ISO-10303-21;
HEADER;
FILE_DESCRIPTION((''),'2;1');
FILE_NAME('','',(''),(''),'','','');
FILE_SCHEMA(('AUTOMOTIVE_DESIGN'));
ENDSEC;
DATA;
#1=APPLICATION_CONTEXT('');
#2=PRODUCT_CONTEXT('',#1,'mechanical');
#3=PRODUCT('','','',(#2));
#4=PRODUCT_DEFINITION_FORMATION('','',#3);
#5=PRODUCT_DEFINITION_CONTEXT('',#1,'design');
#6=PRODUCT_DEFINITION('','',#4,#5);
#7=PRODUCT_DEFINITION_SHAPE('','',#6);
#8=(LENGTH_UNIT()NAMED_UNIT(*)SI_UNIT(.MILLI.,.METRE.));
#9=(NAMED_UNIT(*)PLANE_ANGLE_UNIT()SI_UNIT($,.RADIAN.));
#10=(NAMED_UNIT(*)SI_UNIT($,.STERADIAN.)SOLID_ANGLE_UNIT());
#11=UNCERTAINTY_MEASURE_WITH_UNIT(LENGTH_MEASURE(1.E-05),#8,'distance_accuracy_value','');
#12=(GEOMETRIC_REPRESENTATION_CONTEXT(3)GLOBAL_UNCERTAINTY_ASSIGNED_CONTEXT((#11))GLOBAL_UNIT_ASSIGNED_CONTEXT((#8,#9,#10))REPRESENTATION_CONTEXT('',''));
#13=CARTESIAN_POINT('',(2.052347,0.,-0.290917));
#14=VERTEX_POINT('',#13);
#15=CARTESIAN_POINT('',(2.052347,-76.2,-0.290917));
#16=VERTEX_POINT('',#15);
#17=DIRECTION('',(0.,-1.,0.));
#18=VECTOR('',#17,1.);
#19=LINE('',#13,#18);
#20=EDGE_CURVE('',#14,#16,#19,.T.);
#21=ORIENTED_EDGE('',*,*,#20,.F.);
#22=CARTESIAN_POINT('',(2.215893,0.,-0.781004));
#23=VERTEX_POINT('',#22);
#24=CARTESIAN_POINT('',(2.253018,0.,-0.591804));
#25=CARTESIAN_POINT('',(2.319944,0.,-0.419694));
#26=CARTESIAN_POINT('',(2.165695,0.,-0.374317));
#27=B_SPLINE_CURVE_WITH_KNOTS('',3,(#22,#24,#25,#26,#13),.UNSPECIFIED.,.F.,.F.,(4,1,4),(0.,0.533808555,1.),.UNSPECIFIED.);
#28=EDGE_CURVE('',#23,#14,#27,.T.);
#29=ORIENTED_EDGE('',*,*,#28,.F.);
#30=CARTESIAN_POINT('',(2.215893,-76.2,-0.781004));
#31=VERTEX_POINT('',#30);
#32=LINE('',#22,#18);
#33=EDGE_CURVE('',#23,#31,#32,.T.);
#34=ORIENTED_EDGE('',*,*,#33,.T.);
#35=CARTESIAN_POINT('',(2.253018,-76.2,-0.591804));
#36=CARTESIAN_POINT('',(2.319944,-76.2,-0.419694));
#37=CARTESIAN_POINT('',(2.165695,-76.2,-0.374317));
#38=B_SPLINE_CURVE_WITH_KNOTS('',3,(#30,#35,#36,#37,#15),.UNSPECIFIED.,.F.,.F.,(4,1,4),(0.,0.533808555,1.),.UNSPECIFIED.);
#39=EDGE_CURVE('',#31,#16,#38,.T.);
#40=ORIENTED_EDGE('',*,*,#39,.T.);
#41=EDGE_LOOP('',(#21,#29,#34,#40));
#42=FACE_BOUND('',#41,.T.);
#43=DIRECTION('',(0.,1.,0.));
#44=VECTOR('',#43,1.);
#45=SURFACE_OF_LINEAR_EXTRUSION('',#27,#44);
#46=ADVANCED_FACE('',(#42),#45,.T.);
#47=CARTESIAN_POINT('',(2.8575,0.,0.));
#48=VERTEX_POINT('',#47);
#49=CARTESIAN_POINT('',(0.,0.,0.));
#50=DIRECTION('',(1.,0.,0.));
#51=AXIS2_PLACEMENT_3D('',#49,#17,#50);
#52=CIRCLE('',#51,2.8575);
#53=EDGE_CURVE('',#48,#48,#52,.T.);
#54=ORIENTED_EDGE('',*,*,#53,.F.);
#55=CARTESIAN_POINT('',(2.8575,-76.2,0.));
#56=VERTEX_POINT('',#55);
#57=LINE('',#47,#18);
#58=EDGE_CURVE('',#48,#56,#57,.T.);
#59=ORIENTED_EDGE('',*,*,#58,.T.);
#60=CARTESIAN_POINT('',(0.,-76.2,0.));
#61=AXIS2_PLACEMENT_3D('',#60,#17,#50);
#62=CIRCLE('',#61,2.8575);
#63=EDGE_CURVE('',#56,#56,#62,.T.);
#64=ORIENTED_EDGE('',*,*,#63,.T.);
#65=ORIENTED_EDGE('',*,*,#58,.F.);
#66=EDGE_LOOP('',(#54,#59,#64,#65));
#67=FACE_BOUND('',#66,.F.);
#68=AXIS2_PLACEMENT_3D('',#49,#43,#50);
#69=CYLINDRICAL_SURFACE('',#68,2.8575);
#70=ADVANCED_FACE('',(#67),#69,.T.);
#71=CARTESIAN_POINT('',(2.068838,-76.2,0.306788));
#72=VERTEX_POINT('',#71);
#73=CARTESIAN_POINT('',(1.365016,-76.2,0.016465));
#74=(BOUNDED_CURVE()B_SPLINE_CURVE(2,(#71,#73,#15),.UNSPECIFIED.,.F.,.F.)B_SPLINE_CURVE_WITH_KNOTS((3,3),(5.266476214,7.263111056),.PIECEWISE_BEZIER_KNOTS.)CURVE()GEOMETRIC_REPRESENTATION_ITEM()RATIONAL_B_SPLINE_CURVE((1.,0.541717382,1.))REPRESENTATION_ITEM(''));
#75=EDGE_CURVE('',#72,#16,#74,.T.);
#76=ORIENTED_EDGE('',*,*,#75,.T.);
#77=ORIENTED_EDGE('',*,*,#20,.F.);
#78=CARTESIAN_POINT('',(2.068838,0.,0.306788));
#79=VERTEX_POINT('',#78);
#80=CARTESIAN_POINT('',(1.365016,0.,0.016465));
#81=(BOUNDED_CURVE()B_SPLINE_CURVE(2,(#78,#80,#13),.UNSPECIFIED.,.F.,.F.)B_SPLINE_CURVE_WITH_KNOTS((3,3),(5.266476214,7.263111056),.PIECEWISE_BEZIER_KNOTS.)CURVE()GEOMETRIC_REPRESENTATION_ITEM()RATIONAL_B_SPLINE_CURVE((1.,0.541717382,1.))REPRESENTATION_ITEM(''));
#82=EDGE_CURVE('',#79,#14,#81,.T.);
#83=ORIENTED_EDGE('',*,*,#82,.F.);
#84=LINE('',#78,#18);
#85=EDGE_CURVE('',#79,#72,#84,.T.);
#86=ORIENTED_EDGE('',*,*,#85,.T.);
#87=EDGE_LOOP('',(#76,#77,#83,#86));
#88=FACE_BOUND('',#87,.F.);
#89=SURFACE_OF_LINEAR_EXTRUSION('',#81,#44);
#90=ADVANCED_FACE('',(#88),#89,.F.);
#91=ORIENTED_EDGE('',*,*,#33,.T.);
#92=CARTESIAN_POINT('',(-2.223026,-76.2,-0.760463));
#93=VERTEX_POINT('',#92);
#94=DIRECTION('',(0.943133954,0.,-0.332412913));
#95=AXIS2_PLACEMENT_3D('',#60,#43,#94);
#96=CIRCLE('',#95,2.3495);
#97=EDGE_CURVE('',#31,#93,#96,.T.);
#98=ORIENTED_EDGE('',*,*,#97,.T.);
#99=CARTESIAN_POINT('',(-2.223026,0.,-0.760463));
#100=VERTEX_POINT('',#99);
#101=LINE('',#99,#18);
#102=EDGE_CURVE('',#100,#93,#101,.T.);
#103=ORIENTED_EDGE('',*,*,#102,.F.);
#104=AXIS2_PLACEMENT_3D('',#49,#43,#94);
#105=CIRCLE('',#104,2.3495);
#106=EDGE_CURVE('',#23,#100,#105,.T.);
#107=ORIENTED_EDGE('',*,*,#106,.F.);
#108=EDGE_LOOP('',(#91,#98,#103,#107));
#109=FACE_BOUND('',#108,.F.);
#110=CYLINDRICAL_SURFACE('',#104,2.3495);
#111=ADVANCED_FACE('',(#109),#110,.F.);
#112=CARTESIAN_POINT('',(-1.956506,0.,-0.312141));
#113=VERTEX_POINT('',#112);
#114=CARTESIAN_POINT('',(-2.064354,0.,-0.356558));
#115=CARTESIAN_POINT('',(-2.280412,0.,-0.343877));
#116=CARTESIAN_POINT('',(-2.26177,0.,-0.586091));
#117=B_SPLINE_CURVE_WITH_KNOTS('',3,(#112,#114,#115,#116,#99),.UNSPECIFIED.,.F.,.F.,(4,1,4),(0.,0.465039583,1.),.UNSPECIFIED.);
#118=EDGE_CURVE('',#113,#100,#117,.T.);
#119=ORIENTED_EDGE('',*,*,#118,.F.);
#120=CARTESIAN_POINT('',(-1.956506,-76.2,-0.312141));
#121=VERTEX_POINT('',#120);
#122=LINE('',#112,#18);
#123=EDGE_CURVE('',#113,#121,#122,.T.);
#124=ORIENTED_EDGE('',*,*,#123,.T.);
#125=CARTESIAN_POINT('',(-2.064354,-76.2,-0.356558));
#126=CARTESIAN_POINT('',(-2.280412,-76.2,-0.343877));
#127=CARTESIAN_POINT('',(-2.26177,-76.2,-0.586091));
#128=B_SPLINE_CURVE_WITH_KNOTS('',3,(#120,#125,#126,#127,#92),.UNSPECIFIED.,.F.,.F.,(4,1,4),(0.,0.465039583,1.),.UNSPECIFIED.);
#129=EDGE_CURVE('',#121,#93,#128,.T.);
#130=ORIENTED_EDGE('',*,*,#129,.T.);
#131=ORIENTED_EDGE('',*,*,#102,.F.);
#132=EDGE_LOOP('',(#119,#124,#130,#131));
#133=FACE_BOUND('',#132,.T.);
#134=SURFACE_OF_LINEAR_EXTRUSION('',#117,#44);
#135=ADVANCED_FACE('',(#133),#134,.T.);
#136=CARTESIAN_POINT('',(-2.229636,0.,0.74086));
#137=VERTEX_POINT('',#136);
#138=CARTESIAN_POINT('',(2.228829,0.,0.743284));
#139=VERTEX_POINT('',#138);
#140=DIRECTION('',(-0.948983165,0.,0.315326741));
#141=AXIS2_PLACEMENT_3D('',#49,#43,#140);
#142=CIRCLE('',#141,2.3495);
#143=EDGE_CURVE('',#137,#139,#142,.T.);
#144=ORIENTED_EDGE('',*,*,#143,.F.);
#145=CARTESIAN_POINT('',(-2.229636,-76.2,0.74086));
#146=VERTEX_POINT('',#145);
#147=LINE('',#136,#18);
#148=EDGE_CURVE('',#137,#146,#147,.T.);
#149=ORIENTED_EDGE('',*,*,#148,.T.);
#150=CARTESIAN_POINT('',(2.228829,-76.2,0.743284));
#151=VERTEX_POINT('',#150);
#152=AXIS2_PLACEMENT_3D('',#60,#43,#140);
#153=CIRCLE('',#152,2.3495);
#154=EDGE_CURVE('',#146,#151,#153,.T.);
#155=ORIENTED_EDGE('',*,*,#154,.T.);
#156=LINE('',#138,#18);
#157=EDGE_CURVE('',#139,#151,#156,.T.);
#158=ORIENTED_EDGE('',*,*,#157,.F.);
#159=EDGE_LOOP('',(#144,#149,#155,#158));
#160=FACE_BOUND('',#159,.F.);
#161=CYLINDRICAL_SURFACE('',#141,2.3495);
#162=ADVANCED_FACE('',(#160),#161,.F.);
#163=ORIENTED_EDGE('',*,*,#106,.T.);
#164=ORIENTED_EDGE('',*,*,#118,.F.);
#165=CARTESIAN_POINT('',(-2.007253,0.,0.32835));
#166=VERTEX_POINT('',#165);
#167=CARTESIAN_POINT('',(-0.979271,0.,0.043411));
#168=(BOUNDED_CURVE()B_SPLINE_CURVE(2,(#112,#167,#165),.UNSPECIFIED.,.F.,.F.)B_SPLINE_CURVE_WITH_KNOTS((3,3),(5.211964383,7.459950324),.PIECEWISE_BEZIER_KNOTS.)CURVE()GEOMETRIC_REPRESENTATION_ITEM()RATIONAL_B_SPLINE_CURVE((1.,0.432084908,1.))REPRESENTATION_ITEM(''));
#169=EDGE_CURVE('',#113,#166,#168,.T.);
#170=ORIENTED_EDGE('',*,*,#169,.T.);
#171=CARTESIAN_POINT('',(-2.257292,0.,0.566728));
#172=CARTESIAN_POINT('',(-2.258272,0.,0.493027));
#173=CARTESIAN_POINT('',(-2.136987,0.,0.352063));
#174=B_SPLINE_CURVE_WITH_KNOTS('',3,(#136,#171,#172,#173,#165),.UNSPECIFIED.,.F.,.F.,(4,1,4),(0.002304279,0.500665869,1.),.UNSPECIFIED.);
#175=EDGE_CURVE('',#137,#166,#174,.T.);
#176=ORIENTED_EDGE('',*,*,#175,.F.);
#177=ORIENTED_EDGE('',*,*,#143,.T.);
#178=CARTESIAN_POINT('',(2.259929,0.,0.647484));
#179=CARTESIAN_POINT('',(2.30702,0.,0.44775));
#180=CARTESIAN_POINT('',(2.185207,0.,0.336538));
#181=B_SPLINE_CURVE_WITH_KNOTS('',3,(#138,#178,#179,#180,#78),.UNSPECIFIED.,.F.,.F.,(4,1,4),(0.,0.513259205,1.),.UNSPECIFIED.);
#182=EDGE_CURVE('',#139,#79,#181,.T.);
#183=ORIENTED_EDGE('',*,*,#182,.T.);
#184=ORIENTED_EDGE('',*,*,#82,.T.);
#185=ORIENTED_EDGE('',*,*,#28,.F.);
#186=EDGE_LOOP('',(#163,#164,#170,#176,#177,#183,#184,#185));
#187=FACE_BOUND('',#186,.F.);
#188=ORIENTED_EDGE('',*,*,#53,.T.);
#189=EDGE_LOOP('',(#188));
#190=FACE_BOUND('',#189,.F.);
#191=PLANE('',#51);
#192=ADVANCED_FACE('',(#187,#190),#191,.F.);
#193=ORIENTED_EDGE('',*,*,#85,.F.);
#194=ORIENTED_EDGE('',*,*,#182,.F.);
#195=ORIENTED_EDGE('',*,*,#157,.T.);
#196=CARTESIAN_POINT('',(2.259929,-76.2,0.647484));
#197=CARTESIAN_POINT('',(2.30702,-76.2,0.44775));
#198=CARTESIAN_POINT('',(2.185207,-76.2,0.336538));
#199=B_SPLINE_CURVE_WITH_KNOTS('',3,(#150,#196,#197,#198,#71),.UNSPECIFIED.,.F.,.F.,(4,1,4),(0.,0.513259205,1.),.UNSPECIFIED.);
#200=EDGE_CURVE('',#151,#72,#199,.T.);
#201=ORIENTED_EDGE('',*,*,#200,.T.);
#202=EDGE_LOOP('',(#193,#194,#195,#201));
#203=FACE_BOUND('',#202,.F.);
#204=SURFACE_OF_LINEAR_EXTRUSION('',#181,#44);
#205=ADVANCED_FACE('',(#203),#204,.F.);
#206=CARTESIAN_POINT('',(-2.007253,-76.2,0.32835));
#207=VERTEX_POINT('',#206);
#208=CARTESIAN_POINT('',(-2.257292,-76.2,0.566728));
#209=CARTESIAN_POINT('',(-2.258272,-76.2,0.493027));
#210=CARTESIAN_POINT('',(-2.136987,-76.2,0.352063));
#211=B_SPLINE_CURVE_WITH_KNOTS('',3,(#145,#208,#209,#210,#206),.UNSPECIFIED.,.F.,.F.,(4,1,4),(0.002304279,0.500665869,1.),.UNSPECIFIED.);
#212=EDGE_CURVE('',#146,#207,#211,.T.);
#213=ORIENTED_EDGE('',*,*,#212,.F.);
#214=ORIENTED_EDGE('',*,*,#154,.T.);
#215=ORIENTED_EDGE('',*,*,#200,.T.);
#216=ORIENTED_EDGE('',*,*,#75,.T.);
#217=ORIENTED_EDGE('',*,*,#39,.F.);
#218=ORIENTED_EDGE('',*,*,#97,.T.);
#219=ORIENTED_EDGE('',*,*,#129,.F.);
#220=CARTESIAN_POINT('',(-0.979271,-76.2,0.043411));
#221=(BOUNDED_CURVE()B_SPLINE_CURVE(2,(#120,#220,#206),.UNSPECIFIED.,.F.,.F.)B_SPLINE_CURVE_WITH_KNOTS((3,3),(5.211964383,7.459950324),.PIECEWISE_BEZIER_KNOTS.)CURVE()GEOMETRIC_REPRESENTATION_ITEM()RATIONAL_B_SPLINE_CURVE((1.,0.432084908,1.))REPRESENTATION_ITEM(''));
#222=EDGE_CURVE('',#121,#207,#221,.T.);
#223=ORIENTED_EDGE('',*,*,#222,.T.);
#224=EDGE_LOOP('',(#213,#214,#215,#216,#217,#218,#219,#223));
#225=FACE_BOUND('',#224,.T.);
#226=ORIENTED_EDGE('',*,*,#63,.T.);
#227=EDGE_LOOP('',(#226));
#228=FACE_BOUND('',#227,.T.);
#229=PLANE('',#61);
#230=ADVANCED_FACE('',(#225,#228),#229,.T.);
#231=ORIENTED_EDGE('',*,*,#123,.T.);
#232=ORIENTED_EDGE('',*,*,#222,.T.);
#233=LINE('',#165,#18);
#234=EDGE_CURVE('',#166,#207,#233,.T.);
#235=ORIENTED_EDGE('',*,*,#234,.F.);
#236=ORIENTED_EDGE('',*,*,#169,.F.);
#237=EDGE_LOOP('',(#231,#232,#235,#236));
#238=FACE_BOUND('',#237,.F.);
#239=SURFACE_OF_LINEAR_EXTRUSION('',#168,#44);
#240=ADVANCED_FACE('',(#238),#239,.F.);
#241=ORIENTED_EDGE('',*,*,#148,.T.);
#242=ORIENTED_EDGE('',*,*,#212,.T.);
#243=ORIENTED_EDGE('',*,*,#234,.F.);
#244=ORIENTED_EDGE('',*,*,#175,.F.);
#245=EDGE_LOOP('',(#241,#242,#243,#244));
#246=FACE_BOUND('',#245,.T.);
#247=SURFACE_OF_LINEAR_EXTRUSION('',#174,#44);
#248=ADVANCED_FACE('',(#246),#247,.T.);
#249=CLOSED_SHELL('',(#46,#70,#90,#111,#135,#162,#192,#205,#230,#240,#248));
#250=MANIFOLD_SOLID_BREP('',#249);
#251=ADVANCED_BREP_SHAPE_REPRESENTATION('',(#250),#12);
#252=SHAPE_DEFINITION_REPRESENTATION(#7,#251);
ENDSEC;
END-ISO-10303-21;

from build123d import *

# Parameters (mm, degrees)
F0_R     = 2.8575
F1_DEPTH = 76.2


with BuildPart() as f1:
    # F0 (on Front) → F1 (new body)
    with BuildSketch(Plane.XZ):
        Circle(F0_R)
        with BuildLine():
            ThreePointArc((2.2158932254, -0.7810041381), (-0.0108721198, -2.3494748449), (-2.2230263162, -0.7604631797))
            add(Edge.make_bspline(
                [(-1.9565056124, -0.3121407177), (-2.064354104, -0.3565578185), (-2.2804123154, -0.3438770229), (-2.2617702787, -0.5860911241), (-2.2230263162, -0.7604631797)],
                knots=[0, 0, 0, 0, 0.4650395827, 1, 1, 1, 1], degree=3))
            add(Edge.make_bspline(
                [(-1.9565056124, -0.3121407177), (-0.979271373, 0.0434105208), (-2.0072527367, 0.3283499777)],
                knots=[5.2119643834, 5.2119643834, 5.2119643834, 7.4599503241, 7.4599503241, 7.4599503241], degree=2, weights=[1, 0.4320849083, 1]))
            add(Edge.make_bspline(
                [(-2.2296359452, 0.740860177), (-2.2572920948, 0.5667277404), (-2.2582723573, 0.4930266235), (-2.1369865806, 0.3520629252), (-2.0072527367, 0.3283499777)],
                knots=[0.0023042789, 0.0023042789, 0.0023042789, 0.0023042789, 0.5006658688, 1, 1, 1, 1], degree=3))
            ThreePointArc((-2.2296359452, 0.740860177), (-0.0012775115, 2.3494996527), (2.2288289599, 0.7432844124))
            add(Edge.make_bspline(
                [(2.2288289599, 0.7432844124), (2.2599289461, 0.6474842427), (2.3070196821, 0.4477496228), (2.1852073259, 0.3365375994), (2.0688382449, 0.3067882553)],
                knots=[0, 0, 0, 0, 0.5132592047, 1, 1, 1, 1], degree=3))
            add(Edge.make_bspline(
                [(2.0688382449, 0.3067882553), (1.3650161474, 0.0164649297), (2.0523471758, -0.2909174073)],
                knots=[5.2664762139, 5.2664762139, 5.2664762139, 7.2631110564, 7.2631110564, 7.2631110564], degree=2, weights=[1, 0.5417173816, 1]))
            add(Edge.make_bspline(
                [(2.2158932254, -0.7810041381), (2.2530183234, -0.5918044332), (2.3199436301, -0.4196936753), (2.1656945144, -0.3743167204), (2.0523471758, -0.2909174073)],
                knots=[0, 0, 0, 0, 0.5338085549, 1, 1, 1, 1], degree=3))
        make_face(mode=Mode.SUBTRACT)
    extrude(amount=F1_DEPTH)


solid = f1.part
